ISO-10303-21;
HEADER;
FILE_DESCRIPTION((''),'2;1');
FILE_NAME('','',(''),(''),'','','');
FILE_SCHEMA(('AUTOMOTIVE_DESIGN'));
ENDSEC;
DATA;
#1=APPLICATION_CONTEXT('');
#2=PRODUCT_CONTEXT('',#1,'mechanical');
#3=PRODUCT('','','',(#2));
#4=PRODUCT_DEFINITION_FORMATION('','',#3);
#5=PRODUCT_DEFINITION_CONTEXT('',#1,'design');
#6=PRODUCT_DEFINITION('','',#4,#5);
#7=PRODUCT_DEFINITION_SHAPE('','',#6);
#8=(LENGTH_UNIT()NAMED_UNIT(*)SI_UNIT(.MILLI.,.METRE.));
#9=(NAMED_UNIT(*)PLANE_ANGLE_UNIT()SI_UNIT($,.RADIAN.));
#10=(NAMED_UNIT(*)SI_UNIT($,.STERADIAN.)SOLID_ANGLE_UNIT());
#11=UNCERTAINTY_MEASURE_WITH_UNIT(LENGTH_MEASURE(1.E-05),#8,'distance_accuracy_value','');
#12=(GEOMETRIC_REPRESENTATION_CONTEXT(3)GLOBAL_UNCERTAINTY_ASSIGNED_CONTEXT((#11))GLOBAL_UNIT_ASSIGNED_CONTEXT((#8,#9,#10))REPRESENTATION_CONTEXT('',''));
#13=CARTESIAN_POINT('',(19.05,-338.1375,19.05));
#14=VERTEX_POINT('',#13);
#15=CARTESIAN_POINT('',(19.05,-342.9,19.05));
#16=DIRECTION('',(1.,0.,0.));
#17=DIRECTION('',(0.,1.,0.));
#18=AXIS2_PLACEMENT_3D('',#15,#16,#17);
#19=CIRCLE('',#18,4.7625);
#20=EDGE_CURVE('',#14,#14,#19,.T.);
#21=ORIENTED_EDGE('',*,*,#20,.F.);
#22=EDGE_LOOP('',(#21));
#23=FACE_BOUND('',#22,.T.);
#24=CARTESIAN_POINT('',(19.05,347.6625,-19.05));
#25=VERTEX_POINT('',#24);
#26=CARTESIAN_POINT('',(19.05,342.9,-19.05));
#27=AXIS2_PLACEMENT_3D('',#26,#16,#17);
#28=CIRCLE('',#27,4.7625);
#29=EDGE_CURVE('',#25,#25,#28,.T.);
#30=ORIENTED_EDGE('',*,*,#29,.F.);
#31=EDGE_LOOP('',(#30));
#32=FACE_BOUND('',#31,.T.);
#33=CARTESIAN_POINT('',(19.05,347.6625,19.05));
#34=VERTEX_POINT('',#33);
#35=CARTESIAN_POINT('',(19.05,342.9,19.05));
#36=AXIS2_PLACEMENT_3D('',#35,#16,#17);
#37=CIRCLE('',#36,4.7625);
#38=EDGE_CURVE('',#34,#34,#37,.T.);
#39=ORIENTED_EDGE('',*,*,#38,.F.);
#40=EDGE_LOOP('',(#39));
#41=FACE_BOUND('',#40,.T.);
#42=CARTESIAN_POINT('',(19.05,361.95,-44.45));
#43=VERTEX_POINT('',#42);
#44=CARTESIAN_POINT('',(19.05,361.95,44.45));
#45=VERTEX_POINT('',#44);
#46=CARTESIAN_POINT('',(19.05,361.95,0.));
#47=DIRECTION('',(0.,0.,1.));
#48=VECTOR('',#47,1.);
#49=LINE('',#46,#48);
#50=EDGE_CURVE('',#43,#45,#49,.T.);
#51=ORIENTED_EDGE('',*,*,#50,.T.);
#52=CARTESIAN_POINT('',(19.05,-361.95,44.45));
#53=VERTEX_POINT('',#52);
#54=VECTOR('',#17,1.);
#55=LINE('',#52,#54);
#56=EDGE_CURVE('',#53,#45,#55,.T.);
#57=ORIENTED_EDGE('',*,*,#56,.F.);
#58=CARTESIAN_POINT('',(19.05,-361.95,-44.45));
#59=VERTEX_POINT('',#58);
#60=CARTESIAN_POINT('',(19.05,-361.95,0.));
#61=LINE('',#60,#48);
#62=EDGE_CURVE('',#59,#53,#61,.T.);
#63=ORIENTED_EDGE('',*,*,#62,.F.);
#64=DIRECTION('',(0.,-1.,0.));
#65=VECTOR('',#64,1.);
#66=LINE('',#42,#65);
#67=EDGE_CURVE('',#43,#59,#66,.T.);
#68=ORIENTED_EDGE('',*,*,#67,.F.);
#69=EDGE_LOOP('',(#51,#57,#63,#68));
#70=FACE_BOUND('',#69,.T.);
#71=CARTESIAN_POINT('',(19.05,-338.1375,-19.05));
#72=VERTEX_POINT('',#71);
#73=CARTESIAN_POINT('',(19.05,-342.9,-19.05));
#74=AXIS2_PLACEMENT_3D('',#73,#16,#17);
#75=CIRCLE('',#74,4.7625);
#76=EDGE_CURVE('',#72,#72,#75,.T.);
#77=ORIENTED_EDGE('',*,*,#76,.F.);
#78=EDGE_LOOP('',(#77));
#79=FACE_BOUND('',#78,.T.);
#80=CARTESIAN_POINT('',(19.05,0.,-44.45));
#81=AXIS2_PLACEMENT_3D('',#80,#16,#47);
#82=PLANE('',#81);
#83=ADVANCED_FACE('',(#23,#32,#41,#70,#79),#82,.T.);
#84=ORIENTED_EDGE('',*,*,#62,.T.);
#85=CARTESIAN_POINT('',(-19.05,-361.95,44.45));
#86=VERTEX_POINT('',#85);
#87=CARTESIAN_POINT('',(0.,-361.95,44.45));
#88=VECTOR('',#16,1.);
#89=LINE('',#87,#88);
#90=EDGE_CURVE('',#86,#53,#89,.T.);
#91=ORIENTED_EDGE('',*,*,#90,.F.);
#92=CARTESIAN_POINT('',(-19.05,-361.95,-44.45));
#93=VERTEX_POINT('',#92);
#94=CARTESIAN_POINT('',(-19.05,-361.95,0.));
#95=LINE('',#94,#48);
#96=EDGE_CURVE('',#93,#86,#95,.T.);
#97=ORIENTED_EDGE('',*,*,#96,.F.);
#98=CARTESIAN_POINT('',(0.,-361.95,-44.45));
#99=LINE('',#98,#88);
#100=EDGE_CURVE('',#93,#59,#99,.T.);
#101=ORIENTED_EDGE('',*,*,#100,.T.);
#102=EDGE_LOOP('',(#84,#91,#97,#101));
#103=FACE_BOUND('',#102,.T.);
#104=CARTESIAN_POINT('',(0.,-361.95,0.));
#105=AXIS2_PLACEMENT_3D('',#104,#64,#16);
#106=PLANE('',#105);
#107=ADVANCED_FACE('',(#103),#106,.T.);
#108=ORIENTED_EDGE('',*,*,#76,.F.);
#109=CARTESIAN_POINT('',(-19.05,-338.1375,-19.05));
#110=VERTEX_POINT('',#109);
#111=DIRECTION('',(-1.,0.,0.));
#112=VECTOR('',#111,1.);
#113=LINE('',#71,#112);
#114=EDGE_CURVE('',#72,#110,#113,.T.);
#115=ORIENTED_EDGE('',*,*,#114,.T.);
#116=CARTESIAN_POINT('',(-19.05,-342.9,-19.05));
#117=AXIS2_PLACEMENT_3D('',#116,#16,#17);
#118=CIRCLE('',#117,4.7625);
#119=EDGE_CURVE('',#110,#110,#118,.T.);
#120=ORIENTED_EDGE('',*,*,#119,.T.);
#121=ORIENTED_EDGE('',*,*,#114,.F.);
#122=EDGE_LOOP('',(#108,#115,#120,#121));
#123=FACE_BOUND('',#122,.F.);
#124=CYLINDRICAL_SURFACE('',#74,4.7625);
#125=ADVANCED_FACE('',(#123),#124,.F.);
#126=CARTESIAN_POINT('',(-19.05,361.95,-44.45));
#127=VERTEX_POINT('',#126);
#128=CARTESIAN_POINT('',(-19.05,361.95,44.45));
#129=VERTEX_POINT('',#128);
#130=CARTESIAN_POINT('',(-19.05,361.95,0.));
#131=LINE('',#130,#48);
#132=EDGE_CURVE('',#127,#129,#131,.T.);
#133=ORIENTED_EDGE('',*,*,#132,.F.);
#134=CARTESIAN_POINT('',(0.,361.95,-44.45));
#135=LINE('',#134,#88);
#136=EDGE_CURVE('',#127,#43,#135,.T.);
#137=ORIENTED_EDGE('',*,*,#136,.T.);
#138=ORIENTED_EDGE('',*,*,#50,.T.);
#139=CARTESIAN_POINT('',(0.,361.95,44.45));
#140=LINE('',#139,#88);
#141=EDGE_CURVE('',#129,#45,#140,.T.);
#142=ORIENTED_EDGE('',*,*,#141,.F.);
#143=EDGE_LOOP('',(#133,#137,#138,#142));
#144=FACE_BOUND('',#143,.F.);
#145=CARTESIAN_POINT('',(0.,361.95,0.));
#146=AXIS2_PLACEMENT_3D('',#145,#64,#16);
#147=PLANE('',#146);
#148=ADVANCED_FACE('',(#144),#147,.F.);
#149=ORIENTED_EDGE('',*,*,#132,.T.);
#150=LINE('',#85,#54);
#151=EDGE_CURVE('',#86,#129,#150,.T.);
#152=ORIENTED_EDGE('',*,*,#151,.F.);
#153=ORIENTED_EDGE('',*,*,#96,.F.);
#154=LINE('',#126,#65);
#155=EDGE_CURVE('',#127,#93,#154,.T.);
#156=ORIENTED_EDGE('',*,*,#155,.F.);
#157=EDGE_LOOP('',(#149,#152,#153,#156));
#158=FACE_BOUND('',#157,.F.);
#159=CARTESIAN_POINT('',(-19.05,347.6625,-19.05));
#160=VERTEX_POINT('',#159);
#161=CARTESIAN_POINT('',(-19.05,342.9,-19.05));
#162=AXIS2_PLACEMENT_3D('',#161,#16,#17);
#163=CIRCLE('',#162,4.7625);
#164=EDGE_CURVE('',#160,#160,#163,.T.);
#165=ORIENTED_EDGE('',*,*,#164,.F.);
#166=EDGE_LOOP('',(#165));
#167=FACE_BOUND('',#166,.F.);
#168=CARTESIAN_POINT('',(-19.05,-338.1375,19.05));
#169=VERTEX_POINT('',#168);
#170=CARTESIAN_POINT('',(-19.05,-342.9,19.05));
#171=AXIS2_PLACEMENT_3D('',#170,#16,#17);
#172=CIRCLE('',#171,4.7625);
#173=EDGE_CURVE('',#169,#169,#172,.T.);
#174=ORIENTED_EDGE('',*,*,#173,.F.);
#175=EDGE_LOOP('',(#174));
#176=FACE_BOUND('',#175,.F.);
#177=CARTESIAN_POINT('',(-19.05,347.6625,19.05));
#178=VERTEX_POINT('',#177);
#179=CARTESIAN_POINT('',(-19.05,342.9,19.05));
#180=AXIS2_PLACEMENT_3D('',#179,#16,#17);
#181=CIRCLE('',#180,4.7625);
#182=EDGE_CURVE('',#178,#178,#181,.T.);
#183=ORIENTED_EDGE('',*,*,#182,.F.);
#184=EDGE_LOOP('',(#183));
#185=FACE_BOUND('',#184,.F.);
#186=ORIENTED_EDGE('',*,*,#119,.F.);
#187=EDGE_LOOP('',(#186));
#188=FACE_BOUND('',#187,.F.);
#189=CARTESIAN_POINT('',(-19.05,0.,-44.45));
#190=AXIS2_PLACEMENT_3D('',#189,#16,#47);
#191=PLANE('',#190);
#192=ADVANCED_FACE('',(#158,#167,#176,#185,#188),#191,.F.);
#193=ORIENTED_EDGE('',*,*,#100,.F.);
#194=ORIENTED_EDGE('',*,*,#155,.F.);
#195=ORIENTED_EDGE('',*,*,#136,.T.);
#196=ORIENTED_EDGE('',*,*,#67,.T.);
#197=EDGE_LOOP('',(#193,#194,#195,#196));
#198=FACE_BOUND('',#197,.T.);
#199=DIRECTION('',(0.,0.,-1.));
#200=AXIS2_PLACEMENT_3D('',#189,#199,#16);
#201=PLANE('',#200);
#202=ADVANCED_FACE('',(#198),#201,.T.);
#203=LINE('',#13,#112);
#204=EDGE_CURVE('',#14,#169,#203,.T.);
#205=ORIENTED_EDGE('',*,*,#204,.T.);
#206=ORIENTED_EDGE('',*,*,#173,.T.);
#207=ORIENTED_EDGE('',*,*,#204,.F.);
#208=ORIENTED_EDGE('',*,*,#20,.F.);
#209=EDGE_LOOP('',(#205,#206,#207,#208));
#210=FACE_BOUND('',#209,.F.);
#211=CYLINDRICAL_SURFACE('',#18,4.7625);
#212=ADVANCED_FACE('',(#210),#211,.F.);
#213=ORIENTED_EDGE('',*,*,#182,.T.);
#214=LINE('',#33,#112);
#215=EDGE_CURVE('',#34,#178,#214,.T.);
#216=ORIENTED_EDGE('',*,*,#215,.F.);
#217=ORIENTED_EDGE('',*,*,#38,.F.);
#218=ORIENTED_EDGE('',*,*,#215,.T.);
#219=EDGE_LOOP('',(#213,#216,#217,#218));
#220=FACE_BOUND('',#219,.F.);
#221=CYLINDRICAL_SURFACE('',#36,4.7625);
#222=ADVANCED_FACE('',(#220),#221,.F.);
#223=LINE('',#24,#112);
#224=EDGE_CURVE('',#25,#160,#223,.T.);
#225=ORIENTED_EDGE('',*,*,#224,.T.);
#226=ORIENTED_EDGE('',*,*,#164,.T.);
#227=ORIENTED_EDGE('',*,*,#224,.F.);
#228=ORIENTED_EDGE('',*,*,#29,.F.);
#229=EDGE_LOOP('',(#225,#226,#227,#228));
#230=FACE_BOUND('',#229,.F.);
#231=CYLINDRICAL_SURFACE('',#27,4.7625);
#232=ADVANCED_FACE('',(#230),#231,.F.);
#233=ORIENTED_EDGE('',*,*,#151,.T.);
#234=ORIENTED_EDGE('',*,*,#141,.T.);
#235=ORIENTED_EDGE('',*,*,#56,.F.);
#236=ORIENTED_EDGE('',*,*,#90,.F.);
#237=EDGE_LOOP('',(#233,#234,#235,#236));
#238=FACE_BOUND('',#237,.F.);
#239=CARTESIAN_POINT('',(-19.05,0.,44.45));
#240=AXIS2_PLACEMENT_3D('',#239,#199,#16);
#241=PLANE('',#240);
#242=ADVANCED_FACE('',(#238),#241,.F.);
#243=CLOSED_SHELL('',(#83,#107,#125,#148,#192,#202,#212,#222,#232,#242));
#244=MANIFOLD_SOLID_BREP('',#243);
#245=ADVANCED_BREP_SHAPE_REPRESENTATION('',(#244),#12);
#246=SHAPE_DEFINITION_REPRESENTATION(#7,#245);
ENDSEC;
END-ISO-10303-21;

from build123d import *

# Parameters (mm, degrees)
F0_W     = 38.1
F0_H     = 88.9
F1_DEPTH = 361.95
F2_R     = 4.7625
F3_DEPTH = 38.101


with BuildPart() as f1:
    # F0 (on Front) → F1 (new body, symmetric)
    with BuildSketch(Plane.XZ):
        Rectangle(F0_W, F0_H)
    extrude(amount=F1_DEPTH, both=True)

    # F2 (on face) → F3 (cut, through all)
    with BuildSketch(Plane.YZ.offset(19.05)):
        with Locations((-342.9, 19.05)):
            Circle(F2_R)
        with Locations((-342.9, -19.05)):
            Circle(F2_R)
        with Locations((342.9, 19.05)):
            Circle(F2_R)
        with Locations((342.9, -19.05)):
            Circle(F2_R)
    extrude(amount=-F3_DEPTH, mode=Mode.SUBTRACT)


solid = f1.part
